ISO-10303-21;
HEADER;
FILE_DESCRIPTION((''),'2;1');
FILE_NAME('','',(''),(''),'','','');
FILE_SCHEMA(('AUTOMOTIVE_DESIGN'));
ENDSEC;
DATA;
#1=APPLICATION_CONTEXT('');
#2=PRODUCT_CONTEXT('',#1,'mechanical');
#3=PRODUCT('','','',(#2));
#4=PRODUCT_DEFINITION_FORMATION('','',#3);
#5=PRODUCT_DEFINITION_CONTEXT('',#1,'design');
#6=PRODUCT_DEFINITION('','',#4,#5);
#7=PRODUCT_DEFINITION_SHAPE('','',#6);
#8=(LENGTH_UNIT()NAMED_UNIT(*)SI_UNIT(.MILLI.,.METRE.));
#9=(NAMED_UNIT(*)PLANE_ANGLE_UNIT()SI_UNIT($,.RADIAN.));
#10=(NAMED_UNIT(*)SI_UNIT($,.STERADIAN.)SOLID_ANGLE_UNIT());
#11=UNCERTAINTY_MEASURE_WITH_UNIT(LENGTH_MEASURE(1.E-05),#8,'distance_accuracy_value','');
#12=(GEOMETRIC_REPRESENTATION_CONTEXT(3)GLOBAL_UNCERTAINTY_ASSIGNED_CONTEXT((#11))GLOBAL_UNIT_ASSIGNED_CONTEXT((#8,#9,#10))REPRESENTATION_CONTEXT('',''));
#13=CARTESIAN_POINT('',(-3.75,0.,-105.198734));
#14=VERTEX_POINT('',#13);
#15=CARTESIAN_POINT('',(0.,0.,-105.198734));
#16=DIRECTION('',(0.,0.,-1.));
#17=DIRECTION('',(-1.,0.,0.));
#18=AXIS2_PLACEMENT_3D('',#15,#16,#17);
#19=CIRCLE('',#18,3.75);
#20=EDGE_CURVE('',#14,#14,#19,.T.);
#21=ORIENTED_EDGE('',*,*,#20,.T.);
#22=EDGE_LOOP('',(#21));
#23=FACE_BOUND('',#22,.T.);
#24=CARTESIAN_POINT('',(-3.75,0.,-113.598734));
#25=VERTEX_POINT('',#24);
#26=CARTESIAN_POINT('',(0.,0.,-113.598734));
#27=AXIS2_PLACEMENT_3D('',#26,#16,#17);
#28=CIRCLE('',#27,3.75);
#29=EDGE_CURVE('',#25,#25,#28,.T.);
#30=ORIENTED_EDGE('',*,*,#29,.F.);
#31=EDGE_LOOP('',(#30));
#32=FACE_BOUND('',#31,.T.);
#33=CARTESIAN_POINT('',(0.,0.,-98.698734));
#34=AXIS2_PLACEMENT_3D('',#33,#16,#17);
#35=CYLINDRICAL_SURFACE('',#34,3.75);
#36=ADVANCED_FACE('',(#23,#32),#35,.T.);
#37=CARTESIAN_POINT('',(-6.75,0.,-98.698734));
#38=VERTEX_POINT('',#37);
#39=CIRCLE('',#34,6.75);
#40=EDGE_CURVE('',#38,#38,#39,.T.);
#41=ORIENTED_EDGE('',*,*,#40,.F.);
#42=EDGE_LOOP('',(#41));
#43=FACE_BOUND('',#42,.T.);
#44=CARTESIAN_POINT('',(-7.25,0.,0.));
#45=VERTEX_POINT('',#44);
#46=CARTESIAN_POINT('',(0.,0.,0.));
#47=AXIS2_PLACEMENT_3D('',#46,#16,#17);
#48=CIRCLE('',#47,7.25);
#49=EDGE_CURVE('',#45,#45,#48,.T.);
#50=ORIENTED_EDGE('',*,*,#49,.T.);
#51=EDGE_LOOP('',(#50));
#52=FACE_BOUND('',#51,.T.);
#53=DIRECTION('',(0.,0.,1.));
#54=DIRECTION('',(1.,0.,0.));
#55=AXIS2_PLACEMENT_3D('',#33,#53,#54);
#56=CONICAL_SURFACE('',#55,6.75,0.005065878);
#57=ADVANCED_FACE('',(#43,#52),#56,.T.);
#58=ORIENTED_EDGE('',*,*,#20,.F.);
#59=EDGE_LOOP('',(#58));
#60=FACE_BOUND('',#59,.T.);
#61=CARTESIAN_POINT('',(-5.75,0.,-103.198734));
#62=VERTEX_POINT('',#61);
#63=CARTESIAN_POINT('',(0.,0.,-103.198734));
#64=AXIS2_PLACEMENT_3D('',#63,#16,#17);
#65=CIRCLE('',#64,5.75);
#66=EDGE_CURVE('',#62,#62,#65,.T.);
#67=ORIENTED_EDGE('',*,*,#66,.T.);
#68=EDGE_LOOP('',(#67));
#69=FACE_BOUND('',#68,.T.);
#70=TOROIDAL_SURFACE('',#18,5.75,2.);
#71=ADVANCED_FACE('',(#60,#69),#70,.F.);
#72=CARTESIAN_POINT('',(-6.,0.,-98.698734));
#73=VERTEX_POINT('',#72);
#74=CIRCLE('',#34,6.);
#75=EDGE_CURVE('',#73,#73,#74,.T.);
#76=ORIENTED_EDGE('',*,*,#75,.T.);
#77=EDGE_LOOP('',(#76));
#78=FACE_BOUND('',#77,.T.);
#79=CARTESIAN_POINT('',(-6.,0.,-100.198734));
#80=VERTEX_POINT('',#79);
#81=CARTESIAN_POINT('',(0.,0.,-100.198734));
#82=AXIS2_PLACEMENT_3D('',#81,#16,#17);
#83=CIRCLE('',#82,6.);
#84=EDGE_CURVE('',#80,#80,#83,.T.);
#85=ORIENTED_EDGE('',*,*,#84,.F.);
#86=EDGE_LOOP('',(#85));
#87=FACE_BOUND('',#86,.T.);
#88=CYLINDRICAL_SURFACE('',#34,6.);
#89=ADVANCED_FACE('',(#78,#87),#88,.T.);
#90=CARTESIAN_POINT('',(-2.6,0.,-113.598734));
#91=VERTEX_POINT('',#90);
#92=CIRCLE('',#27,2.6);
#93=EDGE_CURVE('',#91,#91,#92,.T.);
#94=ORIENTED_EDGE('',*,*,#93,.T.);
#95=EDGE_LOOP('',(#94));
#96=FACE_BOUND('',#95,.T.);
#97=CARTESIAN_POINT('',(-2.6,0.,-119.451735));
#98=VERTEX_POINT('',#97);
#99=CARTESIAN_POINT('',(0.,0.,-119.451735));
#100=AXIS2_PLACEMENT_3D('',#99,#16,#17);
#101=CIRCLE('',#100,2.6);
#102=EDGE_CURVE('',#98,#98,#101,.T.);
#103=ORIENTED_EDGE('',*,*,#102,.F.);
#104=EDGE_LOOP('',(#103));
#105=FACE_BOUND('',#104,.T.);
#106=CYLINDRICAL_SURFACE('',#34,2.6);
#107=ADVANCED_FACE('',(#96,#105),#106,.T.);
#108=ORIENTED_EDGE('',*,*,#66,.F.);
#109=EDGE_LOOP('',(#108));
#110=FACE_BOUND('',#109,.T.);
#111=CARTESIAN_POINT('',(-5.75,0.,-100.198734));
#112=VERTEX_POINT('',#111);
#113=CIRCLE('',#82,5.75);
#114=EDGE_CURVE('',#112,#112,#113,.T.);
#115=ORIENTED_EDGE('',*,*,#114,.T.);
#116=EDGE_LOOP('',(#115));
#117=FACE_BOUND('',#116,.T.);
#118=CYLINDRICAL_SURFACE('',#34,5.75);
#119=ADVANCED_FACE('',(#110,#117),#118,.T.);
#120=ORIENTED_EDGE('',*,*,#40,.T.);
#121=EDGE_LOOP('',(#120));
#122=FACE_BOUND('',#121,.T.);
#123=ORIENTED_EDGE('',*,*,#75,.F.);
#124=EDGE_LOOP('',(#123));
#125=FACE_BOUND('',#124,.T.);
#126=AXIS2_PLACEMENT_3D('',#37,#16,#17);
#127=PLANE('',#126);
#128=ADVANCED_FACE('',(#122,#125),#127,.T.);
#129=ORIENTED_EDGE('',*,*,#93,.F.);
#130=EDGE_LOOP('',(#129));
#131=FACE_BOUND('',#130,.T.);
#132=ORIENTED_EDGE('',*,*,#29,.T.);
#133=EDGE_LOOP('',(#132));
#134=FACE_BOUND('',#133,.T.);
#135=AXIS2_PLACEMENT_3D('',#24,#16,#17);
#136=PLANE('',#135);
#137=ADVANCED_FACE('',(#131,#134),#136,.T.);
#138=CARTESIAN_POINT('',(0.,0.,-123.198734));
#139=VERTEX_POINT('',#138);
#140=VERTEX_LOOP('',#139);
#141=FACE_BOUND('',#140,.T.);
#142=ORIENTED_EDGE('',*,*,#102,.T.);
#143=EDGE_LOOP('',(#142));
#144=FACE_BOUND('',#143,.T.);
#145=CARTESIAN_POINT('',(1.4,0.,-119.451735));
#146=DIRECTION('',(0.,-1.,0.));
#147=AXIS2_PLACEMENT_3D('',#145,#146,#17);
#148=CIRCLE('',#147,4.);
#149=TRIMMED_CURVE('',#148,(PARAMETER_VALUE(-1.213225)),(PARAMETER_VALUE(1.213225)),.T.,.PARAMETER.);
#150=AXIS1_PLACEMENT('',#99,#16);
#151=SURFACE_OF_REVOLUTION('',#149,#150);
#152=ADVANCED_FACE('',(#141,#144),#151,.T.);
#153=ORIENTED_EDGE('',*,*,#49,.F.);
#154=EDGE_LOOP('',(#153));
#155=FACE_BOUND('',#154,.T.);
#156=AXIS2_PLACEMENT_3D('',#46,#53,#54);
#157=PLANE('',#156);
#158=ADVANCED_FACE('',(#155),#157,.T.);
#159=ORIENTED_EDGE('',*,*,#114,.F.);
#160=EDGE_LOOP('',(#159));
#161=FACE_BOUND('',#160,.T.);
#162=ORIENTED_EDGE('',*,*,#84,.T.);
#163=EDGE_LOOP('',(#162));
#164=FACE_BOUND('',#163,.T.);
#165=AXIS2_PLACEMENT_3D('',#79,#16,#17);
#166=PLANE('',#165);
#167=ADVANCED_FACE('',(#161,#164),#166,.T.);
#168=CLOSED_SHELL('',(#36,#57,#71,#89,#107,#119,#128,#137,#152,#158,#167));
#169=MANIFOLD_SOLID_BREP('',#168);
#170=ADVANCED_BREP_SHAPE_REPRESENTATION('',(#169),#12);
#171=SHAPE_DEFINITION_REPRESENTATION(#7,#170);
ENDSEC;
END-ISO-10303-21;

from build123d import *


with BuildPart() as part:
    # 草图1 → 旋转1 (revolve)
    with BuildSketch(Plane(origin=(0, 0, 0), x_dir=(1, 0, 0), z_dir=(0, 1, 0))):
        Polygon((0, 0), (-7.25, 0), (-6.75, 98.698733528), (0, 98.698733528), align=None)
    revolve(axis=Axis((0, 0, 0), (0, 0, 1)))

    # 草图2 → 旋转2 (revolve)
    with BuildSketch(Plane(origin=(0, 0, 0), x_dir=(1, 0, 0), z_dir=(0, 1, 0))):
        with BuildLine():
            Line((-6, 98.698733528), (-6, 100.198733528))
            Line((-6, 100.198733528), (-5.75, 100.198733528))
            Line((-5.75, 100.198733528), (-5.75, 103.198733528))
            ThreePointArc((-5.75, 103.198733528), (-4.335786438, 103.784519965), (-3.75, 105.198733528))
            Line((-3.75, 105.198733528), (-3.75, 113.598733528))
            Line((-3.75, 113.598733528), (-2.6, 113.598733528))
            Line((-2.6, 113.598733528), (-2.6, 119.451734729))
            ThreePointArc((-2.6, 119.451734729), (-1.886335345, 121.732085579), (0, 123.198733528))
            Line((0, 123.198733528), (0, 98.698733528))
            Line((0, 98.698733528), (-6, 98.698733528))
        make_face()
    revolve(axis=Axis((0, 0, -98.698733528), (0, 0, 1)))


solid = part.part
